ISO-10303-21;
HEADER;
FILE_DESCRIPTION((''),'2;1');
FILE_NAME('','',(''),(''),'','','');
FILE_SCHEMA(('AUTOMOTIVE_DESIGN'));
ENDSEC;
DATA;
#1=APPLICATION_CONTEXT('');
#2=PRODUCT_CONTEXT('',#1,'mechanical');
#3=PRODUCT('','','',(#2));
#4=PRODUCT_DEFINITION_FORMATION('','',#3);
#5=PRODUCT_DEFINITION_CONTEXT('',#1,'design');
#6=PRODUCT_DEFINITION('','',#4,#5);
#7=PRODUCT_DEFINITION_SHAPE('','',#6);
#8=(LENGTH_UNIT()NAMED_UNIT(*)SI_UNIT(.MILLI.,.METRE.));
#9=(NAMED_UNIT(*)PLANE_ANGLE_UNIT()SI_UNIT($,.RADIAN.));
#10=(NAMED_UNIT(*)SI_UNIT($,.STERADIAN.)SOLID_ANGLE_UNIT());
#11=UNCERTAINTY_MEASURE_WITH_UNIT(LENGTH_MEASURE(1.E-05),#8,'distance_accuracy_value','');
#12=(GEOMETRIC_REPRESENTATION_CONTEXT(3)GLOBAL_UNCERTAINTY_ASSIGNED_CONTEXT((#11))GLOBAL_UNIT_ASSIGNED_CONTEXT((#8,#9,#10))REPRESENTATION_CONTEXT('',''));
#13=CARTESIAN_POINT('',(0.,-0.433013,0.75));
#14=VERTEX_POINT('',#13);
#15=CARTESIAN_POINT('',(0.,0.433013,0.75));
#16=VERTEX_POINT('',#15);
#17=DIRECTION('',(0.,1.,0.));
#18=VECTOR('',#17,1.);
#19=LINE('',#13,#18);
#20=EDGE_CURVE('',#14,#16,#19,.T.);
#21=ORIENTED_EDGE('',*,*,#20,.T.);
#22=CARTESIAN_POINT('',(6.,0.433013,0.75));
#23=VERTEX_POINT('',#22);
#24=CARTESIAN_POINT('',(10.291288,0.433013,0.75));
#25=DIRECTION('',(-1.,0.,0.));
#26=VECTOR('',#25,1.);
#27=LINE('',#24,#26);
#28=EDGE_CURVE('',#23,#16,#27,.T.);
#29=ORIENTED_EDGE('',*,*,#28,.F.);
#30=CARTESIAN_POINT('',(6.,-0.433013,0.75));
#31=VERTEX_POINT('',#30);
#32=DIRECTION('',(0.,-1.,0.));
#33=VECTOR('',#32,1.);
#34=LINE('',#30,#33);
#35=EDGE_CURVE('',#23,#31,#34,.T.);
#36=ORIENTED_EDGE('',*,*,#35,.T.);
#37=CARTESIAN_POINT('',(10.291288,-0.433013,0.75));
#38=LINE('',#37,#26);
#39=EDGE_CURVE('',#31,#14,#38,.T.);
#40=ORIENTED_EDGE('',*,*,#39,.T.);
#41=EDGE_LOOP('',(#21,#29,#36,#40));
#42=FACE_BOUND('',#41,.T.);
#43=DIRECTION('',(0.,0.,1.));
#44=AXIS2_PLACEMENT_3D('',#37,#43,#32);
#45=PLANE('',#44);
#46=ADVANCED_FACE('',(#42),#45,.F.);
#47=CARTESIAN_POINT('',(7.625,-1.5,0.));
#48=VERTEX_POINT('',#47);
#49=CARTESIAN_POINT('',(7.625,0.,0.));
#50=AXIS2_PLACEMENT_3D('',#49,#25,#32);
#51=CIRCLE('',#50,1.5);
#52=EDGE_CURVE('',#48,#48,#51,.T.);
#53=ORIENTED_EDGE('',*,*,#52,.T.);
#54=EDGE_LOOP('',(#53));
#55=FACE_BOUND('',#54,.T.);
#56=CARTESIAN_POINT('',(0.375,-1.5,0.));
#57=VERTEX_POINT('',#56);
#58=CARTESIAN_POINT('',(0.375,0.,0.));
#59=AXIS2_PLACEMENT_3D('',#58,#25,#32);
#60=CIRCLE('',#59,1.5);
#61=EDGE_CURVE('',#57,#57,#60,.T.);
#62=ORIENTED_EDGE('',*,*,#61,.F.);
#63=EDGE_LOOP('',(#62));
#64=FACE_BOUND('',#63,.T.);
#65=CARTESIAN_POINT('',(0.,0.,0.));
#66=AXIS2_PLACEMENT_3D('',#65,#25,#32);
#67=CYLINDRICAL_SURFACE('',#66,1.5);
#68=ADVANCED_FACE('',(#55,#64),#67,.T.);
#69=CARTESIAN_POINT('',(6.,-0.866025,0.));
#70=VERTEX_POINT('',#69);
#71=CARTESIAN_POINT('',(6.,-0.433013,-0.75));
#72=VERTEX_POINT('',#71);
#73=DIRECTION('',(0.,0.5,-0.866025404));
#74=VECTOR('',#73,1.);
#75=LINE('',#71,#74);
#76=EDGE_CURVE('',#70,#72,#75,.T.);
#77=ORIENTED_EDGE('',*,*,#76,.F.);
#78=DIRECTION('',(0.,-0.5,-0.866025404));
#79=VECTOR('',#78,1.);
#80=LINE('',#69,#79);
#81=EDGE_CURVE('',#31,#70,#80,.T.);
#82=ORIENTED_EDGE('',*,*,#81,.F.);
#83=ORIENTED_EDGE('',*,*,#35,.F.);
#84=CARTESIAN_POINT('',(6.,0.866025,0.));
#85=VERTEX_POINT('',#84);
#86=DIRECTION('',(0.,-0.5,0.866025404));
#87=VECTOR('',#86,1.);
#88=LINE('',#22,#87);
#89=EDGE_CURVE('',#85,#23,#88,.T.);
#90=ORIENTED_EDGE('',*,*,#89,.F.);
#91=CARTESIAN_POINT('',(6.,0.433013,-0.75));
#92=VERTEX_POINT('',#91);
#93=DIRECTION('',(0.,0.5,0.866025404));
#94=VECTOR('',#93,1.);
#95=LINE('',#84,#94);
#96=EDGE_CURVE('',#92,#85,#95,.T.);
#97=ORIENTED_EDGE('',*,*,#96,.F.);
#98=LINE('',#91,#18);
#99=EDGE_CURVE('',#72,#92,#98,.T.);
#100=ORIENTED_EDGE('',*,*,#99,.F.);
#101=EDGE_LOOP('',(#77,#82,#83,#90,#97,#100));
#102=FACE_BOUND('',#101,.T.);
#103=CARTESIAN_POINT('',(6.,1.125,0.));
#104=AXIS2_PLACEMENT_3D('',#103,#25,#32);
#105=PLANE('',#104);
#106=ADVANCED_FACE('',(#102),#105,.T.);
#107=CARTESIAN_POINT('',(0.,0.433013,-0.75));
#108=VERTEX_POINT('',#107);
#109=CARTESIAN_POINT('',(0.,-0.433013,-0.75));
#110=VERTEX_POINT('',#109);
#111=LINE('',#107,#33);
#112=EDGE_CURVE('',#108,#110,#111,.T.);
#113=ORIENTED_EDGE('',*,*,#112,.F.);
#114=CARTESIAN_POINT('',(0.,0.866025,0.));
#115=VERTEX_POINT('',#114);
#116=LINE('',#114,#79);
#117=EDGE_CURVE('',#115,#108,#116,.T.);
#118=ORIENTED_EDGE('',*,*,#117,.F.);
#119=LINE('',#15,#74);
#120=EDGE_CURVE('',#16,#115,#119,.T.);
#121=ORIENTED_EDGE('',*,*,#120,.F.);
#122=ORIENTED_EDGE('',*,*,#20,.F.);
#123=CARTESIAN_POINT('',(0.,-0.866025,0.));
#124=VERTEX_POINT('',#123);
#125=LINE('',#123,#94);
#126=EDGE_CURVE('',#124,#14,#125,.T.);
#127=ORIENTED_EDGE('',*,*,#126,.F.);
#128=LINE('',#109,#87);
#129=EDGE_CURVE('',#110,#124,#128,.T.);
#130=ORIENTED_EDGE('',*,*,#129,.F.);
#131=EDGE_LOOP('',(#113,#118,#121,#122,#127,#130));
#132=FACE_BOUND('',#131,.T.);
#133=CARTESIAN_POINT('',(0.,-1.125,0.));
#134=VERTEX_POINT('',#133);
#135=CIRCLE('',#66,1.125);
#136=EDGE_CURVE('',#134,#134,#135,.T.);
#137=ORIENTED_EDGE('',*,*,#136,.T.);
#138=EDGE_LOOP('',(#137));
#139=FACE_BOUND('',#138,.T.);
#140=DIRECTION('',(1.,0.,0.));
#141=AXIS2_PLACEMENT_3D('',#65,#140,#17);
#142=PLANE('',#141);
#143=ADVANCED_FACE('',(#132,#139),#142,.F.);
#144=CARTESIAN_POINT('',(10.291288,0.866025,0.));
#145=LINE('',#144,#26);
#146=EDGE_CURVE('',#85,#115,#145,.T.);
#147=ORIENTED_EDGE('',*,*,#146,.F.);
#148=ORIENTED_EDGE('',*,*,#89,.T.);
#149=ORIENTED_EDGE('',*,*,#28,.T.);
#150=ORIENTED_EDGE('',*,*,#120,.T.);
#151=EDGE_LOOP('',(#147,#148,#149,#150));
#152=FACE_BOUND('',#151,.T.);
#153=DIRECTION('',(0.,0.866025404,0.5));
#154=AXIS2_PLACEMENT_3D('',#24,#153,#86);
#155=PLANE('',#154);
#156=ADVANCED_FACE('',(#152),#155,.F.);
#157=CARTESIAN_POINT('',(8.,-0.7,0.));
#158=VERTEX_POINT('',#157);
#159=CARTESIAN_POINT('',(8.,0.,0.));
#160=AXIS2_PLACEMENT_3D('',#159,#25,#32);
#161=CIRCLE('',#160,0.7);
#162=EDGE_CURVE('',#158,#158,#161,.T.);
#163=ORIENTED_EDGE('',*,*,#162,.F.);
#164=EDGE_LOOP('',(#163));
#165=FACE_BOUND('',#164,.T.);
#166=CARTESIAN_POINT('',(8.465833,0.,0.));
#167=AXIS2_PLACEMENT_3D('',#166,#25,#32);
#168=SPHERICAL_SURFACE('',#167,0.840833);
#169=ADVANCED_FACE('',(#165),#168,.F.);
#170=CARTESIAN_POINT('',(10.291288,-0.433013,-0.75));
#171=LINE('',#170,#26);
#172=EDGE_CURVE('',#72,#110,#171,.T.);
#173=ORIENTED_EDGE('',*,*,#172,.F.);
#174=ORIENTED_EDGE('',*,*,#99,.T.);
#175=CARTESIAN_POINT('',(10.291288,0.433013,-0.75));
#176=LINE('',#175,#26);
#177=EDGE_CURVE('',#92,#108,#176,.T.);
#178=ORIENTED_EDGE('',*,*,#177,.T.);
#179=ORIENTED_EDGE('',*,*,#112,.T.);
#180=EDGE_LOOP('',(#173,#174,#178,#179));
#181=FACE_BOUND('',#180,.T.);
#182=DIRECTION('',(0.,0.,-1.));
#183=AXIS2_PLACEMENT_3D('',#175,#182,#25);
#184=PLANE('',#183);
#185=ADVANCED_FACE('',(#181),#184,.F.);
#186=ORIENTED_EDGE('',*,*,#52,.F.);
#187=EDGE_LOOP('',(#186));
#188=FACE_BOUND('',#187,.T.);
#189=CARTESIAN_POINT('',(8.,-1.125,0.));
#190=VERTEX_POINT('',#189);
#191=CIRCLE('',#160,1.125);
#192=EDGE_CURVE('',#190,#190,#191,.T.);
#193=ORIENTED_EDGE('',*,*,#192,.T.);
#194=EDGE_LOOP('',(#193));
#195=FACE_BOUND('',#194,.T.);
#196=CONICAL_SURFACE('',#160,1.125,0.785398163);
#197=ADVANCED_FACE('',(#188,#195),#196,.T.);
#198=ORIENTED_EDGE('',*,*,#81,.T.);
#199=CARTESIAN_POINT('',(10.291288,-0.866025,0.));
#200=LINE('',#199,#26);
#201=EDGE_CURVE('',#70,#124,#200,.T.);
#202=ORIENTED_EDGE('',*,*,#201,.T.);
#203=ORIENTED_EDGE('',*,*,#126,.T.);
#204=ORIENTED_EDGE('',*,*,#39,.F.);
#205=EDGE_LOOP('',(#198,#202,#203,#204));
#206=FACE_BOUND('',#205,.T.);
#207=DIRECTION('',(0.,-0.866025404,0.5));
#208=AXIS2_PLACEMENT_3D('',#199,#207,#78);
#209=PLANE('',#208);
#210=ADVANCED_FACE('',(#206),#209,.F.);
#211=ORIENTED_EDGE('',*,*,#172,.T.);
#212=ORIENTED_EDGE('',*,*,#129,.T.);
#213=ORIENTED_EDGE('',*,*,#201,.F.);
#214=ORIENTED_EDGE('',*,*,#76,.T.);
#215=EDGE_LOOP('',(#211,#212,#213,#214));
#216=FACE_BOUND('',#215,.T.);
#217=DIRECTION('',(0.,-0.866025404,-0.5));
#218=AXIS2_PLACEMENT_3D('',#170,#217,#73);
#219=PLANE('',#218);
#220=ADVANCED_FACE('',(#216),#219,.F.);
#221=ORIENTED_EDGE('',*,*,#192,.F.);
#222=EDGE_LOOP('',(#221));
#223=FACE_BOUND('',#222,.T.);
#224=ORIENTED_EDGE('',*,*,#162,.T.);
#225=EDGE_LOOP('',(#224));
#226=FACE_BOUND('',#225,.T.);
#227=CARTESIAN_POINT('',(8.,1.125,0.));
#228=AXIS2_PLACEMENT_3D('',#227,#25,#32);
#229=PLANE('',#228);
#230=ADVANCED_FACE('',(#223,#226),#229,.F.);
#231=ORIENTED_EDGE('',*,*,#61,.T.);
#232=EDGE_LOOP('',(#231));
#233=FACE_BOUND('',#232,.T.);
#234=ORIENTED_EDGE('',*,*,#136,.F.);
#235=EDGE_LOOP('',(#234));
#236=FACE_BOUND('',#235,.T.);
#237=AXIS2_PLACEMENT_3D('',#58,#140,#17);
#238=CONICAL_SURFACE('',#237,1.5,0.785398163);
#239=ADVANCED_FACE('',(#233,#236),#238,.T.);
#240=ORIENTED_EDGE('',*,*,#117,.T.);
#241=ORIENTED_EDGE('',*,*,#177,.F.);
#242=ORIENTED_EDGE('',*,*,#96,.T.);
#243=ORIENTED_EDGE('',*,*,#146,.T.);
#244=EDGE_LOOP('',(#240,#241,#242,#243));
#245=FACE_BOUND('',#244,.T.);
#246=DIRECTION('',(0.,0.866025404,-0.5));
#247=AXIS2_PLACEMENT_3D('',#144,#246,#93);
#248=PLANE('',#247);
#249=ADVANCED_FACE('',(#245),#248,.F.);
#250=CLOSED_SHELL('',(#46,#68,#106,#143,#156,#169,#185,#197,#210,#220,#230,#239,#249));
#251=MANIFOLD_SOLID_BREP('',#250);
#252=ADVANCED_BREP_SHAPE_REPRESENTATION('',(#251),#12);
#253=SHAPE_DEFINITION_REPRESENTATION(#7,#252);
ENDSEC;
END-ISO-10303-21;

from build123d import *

# Parameters (mm, degrees)
CUT_EXTRUDE1_DEPTH = 6


with BuildPart() as part:
    # Sketch1 → Revolve1 (revolve)
    with BuildSketch(Plane.XY, mode=Mode.PRIVATE) as revolve1_sk:
        with BuildLine():
            Line((0, 0), (0, 1.125))
            Line((0, 1.125), (0.375, 1.5))
            Line((0.375, 1.5), (7.625, 1.5))
            Line((7.625, 1.5), (8, 1.125))
            Line((8, 1.125), (8, 0.7))
            ThreePointArc((8, 0.7), (7.724655592, 0.397059504), (7.625, 0))
            Line((7.625, 0), (0, 0))
        make_face()
    revolve(revolve1_sk.sketch.rotate(Axis((0, 0, 0), (1, 0, 0)), 180), axis=Axis((0, 0, 0), (1, 0, 0)))

    # Sketch2 → Cut-Extrude1 (cut)
    with BuildSketch(Plane.ZY):
        Polygon((0, 0.866025404), (-0.75, 0.433012702), (-0.75, -0.433012702), (0, -0.866025404), (0.75, -0.433012702), (0.75, 0.433012702), align=None)
    extrude(amount=-CUT_EXTRUDE1_DEPTH, mode=Mode.SUBTRACT)


solid = part.part
